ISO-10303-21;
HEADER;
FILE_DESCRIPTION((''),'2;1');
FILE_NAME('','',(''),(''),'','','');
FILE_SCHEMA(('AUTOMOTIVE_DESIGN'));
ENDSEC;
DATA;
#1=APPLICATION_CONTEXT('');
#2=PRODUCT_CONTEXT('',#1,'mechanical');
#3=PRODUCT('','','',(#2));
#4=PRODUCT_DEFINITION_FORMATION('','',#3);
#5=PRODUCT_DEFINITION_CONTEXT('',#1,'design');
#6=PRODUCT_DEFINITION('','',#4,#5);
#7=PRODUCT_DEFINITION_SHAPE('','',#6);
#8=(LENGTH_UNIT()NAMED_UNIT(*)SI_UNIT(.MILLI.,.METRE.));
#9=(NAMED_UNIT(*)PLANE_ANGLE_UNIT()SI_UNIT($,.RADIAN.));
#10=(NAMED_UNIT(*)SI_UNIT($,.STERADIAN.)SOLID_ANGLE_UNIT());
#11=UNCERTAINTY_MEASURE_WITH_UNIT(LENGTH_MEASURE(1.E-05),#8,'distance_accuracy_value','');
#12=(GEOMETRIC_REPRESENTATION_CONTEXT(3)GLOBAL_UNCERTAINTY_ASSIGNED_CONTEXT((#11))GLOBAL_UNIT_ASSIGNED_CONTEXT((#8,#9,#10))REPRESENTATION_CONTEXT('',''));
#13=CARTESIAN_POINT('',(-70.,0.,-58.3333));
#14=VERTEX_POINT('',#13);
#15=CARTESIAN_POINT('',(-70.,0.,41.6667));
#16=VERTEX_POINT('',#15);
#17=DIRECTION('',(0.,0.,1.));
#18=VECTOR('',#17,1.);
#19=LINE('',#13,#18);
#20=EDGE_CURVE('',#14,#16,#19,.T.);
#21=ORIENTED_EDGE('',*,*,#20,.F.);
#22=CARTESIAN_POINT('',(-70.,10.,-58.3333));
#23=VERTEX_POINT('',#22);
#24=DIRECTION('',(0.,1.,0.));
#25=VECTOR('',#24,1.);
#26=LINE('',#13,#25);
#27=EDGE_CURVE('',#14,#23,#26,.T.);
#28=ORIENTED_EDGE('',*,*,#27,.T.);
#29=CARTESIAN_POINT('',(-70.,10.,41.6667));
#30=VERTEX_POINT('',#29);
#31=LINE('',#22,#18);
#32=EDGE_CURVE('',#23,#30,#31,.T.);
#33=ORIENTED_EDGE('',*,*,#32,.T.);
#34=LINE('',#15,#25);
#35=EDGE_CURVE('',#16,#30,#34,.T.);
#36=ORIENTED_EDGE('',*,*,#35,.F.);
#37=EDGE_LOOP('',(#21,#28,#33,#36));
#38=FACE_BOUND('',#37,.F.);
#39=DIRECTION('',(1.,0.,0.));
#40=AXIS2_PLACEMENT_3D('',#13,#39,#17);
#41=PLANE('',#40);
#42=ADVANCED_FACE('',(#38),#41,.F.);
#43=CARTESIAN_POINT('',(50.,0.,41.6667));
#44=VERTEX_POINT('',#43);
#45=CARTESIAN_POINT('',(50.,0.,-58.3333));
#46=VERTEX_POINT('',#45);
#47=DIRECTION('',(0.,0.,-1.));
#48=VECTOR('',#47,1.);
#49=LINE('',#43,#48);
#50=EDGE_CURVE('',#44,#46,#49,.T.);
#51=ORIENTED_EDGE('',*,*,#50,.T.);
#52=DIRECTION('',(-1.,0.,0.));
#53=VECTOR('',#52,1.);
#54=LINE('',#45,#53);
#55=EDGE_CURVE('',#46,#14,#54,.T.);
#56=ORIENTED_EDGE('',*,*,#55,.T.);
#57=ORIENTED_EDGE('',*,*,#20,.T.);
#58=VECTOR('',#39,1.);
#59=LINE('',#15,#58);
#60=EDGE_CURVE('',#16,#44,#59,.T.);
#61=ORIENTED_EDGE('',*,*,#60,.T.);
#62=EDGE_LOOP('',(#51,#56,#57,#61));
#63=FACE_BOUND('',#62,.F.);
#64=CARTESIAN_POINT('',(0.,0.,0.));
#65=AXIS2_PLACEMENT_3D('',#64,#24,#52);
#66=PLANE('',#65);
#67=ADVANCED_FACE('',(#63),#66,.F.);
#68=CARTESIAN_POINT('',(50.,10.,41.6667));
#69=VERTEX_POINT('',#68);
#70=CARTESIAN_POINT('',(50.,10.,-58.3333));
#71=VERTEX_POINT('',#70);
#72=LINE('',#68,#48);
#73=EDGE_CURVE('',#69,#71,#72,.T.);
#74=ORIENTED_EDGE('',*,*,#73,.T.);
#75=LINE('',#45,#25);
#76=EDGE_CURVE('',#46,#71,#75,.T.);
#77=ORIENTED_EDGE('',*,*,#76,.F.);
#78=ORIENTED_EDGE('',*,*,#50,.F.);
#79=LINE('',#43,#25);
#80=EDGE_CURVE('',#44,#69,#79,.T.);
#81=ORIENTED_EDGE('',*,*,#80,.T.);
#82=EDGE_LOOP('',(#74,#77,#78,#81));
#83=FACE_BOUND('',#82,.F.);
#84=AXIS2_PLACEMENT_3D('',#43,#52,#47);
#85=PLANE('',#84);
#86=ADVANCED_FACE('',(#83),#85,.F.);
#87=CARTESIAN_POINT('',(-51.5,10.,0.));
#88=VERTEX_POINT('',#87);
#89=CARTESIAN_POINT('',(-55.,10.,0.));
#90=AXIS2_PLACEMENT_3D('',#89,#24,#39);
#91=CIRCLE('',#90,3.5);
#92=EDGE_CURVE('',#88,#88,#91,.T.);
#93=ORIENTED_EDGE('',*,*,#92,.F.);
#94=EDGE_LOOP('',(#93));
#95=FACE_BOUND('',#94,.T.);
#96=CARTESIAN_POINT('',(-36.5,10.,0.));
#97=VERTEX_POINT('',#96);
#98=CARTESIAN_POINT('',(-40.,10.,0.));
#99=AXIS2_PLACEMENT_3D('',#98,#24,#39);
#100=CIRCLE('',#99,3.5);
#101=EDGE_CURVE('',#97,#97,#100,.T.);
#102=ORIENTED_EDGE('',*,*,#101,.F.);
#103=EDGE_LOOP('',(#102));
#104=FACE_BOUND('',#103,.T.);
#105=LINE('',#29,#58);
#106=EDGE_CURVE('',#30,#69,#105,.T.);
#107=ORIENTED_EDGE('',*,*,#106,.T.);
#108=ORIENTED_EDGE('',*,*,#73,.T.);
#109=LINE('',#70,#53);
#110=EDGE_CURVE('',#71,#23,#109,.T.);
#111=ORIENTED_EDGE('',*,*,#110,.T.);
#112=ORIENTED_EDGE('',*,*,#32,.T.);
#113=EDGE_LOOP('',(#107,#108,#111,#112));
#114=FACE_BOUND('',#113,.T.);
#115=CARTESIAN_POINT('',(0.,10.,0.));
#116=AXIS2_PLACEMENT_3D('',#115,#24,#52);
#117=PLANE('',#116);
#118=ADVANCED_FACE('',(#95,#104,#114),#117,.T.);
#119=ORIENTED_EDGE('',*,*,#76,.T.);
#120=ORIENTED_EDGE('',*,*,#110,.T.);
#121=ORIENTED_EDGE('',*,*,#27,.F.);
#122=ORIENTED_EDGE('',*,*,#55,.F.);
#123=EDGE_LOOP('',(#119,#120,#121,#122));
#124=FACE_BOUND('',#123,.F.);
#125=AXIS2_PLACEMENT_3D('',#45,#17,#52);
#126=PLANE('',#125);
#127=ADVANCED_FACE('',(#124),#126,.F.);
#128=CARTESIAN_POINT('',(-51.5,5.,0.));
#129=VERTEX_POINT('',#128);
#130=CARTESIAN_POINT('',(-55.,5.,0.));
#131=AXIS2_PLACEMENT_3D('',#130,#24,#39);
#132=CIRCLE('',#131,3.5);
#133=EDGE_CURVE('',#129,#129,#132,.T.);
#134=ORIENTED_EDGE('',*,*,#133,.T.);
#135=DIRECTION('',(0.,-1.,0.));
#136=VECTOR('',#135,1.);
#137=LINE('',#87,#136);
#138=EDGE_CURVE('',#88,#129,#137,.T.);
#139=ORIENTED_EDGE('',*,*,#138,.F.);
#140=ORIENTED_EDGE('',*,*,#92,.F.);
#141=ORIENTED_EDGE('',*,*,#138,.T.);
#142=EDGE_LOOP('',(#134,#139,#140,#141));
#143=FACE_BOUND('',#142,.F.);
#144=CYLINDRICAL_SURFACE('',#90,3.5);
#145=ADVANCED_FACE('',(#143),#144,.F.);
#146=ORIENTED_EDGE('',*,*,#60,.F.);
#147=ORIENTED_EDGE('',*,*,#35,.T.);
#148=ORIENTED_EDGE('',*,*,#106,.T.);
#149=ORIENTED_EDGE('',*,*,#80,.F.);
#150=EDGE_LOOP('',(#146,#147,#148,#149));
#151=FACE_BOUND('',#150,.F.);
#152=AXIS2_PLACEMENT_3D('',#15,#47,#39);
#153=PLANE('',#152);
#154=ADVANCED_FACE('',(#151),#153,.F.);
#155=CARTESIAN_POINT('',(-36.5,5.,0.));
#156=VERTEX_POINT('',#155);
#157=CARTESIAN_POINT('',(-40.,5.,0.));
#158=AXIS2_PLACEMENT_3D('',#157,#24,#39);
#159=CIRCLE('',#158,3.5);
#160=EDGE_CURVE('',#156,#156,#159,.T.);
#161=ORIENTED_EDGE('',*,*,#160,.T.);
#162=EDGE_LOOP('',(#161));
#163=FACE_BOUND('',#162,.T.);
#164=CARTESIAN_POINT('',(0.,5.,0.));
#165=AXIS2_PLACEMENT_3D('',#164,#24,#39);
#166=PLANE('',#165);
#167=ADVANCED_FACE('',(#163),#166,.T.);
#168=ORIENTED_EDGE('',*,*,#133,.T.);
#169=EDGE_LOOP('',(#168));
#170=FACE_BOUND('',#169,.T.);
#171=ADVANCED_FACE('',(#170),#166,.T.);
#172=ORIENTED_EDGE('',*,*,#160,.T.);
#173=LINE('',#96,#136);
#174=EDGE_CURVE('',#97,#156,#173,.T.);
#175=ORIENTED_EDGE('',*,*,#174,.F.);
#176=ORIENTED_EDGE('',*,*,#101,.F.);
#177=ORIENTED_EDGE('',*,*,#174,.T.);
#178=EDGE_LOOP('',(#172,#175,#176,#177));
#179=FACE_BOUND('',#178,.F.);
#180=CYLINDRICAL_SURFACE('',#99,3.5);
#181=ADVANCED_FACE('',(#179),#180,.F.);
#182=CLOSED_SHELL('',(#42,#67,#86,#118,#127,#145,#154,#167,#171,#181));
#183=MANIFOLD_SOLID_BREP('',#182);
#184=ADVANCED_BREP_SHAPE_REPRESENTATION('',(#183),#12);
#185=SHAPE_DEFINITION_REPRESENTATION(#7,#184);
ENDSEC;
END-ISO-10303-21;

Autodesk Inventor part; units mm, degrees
ref_plane "YZ Plane" through (0, 0, 0) normal (1, 0, 0) x (0, 1, 0)
ref_plane "XZ Plane" through (0, 0, 0) normal (0, 1, 0) x (-1, 0, 0)
ref_plane "XY Plane" through (0, 0, 0) normal (0, 0, 1) x (1, 0, 0)
sketch "Sketch1" plane through (0, 0, 0) normal (0, 1, 0) x (-1, 0, 0)
  line L0 (70, 41.6667) -> (-50, 41.6667)
  line L1 (-50, 41.6667) -> (-50, -58.3333)
  line L2 (-50, -58.3333) -> (70, -58.3333)
  line L3 (70, -58.3333) -> (70, 41.6667)
  point P0 (0, 0)
  dimension "d0" = 100
  dimension "d1" = 120
  dimension "d2" = 70
  dimension "d3" = 41.6667
extrude "Extrusion1" add sketch "Sketch1" along normal blind 10
sketch "Sketch2" plane through (0, 10, 0) normal (0, 1, 0) x (1, 0, 0)
  circle A0 centre (-40, 0) radius 3.5
  circle A1 centre (-55, 0) radius 3.5
  line L0 (-70, 58.3333) -> (-70, -41.6667) projected
  point P0 (0, 0)
  dimension "d6" = 7
  dimension "d7" = 7
  dimension "d8" = 30
  dimension "d9" = 15
  dimension "d12" = 15
  dimension "d13" = 40
extrude "Extrusion2" cut sketch "Sketch2" against normal blind 5
thread "Thread1" size "M7x1" class "6H" standard "ANSI Metric M Profile" full length
thread "Thread2" size "M7x1" class "6H" standard "ANSI Metric M Profile" full length
properties part number "Load cell support" material "Stainless Steel"
